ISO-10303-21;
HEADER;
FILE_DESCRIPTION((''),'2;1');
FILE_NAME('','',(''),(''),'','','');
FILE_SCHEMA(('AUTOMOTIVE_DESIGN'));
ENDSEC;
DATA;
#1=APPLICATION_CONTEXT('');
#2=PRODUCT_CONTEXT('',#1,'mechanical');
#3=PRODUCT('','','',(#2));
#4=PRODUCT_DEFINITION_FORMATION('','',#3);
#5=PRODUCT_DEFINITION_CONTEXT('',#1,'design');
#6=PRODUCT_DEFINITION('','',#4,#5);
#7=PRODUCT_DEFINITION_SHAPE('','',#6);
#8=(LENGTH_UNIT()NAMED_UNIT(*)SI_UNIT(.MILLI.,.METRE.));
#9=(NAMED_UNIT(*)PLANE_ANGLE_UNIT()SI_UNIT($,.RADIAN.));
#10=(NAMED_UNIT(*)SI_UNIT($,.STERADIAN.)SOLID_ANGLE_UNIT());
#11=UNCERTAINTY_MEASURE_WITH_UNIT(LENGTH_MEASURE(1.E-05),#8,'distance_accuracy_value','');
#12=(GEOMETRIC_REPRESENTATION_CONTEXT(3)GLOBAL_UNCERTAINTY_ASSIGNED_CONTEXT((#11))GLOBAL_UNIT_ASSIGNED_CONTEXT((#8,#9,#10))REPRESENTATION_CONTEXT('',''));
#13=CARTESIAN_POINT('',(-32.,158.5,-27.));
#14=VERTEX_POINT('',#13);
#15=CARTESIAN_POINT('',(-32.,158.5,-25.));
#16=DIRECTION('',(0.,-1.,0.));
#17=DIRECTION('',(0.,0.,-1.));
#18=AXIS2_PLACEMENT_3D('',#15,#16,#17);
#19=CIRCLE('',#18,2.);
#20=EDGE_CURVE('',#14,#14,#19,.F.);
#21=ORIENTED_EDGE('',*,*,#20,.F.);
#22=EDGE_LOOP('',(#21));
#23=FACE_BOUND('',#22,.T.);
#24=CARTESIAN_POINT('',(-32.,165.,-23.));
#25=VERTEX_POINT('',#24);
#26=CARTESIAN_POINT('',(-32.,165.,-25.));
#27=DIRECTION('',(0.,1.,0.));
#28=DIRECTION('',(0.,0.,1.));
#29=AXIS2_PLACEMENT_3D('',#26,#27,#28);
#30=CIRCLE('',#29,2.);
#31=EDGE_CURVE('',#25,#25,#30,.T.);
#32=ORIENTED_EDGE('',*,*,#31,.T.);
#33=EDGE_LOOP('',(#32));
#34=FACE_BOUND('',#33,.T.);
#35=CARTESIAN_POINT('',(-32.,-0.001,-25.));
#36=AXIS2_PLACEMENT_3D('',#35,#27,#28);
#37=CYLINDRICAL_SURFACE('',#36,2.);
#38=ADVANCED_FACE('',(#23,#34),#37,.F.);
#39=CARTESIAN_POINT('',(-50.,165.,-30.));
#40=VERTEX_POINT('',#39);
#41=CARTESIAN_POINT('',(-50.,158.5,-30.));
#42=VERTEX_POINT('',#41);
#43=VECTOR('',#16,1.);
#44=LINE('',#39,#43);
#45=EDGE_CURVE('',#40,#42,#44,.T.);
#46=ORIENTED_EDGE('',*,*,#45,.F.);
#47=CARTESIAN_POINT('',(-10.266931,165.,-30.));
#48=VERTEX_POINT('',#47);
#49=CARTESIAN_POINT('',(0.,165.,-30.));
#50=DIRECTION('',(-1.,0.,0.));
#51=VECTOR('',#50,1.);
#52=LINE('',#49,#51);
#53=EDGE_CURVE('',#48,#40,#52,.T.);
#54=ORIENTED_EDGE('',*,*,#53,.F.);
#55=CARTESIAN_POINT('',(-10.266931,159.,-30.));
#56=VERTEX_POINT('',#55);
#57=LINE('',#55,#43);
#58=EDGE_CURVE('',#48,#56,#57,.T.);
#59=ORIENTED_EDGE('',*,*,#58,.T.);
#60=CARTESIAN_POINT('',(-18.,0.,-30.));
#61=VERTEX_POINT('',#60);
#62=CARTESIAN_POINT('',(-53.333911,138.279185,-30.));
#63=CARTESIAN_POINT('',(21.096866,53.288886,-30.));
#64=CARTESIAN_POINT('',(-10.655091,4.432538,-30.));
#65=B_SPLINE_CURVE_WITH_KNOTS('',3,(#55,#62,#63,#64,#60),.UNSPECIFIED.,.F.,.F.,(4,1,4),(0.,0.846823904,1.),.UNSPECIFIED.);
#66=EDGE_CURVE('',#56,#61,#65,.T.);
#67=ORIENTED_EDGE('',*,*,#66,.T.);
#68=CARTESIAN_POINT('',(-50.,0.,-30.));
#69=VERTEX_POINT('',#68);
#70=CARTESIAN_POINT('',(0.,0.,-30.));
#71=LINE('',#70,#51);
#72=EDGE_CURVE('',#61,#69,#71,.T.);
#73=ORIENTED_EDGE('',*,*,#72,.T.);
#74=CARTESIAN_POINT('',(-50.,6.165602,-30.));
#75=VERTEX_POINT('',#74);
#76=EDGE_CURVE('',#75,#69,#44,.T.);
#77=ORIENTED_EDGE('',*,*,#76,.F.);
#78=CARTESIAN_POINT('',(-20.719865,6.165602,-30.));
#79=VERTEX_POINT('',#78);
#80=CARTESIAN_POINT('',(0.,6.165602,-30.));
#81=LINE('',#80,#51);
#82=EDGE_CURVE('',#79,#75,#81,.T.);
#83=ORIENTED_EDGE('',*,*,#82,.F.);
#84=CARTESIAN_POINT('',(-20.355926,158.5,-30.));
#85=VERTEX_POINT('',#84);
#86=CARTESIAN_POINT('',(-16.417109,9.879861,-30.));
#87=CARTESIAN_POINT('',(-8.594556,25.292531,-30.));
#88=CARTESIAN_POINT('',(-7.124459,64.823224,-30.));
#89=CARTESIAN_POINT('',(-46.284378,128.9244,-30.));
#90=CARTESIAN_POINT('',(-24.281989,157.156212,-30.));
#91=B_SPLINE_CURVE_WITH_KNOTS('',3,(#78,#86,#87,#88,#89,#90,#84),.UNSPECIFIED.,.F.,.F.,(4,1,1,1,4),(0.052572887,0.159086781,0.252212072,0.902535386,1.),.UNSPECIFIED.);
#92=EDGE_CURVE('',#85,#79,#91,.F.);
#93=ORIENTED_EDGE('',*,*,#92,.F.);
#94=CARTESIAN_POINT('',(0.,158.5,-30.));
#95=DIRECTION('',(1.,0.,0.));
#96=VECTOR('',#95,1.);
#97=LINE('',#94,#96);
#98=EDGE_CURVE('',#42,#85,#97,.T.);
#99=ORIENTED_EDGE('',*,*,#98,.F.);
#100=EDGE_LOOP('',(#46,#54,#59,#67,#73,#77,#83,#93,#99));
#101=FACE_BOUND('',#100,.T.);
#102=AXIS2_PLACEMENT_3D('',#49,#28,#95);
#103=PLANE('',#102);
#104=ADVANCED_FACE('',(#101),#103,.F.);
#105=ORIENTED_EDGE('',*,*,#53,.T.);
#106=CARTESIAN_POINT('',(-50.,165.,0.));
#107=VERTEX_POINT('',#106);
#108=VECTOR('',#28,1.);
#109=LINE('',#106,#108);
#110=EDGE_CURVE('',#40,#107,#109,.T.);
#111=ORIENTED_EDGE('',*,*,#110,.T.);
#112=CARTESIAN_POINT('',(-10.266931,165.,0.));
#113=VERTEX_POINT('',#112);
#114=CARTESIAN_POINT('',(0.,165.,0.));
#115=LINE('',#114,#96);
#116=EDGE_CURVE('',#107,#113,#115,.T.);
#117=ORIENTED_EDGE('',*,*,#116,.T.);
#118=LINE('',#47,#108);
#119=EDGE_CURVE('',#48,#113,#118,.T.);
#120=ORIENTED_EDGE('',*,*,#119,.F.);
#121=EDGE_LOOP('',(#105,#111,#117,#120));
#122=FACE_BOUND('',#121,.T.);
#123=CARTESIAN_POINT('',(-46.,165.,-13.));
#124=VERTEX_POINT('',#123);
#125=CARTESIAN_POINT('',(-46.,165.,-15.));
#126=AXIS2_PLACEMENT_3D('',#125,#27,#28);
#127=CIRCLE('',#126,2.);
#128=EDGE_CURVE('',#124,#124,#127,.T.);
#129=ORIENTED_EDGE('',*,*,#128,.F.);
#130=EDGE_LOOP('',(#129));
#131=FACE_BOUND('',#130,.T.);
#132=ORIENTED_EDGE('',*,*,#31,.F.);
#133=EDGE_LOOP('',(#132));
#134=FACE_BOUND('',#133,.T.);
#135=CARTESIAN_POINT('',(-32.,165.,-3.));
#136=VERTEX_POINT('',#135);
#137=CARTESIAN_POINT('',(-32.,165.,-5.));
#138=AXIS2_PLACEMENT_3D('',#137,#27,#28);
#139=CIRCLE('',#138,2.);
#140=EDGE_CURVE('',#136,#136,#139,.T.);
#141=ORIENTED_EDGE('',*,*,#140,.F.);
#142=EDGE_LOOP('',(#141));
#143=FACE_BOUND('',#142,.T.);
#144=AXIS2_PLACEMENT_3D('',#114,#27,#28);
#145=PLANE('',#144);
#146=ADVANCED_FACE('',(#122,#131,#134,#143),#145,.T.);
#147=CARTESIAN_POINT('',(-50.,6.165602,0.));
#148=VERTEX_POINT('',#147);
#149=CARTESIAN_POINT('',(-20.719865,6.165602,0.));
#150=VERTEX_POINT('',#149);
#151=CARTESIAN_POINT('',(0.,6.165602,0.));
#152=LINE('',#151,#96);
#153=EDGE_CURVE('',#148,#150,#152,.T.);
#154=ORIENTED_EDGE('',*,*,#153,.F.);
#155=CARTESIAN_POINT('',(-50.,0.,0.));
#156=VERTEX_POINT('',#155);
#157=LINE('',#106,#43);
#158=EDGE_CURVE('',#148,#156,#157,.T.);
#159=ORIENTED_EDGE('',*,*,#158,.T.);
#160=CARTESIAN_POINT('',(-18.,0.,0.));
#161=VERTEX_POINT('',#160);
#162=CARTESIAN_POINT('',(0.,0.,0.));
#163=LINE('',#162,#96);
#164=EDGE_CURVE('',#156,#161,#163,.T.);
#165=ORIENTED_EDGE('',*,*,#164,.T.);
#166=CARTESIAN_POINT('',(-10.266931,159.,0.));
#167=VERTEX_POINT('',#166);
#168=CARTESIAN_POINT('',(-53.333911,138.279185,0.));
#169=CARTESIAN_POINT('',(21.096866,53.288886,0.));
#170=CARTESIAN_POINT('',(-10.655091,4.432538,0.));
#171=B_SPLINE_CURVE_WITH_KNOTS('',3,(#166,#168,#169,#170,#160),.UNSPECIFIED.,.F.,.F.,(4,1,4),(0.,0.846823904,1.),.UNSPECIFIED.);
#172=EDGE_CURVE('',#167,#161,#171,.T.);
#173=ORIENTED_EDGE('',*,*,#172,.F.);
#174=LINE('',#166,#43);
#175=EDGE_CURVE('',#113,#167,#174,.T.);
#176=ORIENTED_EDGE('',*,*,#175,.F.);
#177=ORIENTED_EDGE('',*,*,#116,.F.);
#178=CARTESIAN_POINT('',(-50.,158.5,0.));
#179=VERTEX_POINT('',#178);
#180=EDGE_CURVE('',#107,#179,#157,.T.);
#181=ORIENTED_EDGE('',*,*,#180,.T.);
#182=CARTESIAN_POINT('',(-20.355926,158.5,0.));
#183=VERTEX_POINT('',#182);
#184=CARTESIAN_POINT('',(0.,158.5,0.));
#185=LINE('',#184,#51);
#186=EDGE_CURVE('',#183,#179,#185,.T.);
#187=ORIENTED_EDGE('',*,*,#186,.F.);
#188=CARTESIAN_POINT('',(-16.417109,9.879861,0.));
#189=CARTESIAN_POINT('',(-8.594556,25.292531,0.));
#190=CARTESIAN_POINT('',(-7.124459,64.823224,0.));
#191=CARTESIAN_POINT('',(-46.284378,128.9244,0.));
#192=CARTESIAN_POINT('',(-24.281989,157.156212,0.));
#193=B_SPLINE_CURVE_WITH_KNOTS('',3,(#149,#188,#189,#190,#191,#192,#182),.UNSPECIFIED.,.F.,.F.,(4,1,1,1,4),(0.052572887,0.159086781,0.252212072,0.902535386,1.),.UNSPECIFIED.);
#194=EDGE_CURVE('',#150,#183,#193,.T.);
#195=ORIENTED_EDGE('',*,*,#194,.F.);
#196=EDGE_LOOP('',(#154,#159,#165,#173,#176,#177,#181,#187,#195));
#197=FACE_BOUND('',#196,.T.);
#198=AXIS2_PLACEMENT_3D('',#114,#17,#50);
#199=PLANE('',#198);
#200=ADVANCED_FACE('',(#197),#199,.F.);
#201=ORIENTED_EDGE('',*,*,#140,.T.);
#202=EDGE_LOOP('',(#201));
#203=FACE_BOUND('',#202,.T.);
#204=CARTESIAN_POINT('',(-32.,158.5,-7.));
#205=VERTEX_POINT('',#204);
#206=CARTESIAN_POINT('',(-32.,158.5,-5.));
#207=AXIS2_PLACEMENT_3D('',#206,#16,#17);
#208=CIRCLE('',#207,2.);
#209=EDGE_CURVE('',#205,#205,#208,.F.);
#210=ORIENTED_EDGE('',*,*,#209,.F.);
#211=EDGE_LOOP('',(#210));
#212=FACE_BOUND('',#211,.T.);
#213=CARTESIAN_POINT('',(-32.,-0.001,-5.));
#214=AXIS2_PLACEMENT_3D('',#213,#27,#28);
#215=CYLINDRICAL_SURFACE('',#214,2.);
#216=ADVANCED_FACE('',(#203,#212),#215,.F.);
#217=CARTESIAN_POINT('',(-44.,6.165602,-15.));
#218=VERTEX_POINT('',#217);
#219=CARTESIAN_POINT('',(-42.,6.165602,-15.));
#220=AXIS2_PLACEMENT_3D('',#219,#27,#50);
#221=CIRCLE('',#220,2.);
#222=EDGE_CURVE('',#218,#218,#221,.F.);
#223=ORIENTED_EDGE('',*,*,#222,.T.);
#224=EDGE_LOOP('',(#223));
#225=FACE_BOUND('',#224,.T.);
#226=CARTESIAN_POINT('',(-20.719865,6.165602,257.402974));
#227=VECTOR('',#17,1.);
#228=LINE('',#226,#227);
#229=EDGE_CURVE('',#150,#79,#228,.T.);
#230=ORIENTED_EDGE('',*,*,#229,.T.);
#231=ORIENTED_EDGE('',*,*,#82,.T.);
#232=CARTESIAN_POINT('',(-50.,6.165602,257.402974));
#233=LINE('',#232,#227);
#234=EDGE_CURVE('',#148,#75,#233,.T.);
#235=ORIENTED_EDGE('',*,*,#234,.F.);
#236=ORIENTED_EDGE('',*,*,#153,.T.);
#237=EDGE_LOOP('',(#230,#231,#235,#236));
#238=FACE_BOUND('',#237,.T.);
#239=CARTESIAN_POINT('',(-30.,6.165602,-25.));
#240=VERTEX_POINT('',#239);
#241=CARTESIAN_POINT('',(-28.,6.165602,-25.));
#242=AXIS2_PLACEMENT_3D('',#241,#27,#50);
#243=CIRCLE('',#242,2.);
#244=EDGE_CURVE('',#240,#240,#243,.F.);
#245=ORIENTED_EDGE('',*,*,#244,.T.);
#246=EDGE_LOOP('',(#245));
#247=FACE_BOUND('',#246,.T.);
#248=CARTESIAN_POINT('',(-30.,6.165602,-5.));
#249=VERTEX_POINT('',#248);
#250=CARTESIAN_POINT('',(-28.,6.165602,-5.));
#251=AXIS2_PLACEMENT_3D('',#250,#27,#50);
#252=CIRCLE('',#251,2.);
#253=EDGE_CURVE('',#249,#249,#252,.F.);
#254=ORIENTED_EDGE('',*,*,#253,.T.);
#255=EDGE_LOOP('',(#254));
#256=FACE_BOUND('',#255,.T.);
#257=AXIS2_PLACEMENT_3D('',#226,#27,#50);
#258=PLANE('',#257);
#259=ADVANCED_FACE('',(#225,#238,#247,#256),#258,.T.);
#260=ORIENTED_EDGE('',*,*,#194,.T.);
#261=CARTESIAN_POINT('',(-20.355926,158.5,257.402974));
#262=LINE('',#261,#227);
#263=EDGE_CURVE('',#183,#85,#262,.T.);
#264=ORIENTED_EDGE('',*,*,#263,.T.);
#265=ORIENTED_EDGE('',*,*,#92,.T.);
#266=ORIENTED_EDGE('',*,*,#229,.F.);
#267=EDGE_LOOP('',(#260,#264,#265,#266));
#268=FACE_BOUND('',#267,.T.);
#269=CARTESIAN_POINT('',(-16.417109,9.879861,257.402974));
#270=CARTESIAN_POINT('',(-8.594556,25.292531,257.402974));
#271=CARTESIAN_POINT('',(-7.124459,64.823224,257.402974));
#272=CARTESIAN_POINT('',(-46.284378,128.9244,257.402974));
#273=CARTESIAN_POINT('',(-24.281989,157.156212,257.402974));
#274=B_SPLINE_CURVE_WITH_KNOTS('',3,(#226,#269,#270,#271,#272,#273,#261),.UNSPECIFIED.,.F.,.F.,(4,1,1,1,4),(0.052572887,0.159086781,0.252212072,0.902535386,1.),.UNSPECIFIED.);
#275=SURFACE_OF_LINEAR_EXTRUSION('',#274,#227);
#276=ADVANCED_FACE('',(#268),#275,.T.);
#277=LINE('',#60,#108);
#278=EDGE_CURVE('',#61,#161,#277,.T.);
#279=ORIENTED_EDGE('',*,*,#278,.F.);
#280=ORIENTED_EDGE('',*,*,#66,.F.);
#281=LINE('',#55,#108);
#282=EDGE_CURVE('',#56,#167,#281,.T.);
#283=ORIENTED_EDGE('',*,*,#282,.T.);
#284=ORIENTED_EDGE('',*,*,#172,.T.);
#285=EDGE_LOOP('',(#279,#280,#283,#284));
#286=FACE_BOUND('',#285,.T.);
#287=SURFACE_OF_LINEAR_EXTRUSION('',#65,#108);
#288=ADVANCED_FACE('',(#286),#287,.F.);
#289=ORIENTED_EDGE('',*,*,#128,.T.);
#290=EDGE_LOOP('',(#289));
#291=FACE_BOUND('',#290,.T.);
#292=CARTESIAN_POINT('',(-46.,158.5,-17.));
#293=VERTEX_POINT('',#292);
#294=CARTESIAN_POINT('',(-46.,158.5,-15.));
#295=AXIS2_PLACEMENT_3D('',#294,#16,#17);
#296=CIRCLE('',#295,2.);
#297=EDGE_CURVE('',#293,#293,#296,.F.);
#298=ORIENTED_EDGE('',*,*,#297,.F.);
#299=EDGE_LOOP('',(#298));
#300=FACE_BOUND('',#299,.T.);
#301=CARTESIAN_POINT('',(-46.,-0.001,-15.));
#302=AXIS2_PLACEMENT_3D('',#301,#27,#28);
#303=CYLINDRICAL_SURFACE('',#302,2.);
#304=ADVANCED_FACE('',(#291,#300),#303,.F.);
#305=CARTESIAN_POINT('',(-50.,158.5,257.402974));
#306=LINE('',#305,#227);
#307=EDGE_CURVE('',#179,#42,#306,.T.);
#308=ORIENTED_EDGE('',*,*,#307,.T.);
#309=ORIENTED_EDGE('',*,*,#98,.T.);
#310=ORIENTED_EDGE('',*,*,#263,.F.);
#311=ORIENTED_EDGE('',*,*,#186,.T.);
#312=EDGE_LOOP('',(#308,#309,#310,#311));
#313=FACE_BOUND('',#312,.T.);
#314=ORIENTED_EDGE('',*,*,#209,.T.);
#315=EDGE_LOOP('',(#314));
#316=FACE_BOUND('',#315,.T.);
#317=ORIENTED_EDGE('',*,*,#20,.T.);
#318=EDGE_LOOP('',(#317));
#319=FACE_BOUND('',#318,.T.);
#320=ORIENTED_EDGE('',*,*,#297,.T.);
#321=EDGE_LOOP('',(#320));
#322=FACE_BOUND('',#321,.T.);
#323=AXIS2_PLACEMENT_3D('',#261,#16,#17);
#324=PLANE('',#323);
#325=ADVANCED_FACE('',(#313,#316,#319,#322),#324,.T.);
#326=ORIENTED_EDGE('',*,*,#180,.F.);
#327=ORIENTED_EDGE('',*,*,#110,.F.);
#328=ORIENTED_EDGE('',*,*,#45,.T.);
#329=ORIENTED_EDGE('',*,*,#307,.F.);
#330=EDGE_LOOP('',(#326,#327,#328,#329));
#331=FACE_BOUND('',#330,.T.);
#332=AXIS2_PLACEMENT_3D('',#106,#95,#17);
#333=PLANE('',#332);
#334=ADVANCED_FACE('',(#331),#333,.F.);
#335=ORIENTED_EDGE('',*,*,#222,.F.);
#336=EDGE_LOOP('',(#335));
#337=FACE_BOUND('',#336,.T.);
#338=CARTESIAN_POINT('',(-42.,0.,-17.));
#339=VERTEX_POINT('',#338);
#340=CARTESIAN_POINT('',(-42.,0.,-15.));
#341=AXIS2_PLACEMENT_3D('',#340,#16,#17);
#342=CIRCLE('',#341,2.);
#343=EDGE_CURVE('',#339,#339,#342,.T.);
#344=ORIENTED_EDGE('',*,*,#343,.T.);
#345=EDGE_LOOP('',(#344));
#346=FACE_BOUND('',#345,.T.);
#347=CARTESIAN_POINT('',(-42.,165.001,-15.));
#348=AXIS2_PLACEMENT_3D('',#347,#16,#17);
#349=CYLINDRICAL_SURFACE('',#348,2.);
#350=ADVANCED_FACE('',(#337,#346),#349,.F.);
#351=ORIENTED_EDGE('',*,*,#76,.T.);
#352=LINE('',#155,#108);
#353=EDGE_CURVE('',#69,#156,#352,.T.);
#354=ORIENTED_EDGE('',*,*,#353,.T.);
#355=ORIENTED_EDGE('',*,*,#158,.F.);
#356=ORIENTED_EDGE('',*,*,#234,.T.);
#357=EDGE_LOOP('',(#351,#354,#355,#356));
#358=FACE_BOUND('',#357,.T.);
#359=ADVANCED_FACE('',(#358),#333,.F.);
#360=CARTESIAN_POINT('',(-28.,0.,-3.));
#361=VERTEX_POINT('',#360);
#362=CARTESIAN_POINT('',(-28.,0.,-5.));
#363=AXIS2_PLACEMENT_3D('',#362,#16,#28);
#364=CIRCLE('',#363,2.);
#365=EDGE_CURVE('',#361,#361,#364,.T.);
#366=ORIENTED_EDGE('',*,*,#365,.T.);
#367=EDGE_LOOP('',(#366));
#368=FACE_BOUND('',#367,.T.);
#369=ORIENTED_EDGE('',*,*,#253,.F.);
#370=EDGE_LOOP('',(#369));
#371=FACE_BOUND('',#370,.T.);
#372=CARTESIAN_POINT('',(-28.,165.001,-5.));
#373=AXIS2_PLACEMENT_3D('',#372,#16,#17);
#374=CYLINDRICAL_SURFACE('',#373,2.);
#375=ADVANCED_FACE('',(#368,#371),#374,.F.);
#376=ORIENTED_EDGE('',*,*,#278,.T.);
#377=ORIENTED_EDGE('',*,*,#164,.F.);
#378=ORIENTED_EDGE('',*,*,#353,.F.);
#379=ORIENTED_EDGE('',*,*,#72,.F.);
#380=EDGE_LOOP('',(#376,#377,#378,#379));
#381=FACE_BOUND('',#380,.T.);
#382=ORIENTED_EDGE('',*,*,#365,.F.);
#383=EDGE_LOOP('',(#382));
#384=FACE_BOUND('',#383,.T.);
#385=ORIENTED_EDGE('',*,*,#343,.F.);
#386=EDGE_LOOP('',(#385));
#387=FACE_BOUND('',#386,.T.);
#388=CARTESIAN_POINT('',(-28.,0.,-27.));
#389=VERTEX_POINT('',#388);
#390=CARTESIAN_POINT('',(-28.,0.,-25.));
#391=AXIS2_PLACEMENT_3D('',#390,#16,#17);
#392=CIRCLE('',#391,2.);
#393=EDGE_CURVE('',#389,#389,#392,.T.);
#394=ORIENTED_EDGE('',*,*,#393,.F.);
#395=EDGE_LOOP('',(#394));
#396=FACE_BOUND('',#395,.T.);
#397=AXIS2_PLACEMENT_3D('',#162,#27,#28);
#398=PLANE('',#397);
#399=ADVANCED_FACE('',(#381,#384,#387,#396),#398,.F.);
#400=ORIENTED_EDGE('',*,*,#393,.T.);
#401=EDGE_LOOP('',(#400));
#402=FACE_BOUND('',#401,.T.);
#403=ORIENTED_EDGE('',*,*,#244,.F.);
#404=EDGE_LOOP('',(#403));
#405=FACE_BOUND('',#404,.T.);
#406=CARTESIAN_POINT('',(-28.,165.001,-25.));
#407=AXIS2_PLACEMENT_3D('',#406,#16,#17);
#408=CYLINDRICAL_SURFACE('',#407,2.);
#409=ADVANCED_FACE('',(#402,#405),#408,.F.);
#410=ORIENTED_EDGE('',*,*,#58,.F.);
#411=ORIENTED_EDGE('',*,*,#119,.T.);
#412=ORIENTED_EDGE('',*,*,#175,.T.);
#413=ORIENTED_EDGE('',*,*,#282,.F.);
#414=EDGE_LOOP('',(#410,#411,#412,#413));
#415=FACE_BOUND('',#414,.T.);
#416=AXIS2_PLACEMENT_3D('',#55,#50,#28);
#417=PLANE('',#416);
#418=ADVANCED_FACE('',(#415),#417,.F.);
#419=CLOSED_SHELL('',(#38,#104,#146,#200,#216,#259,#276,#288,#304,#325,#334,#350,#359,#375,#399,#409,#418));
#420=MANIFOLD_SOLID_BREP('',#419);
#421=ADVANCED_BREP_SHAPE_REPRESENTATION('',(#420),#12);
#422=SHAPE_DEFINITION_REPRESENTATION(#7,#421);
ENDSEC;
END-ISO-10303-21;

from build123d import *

# Parameters (mm, degrees)
SKETCH1_W               = 50
SKETCH1_H               = 30
BLOCK_DEPTH             = 165
CUT_EXTRUDE1_DEPTH      = 176
CUT_EXTRUDE2_DEPTH      = 176.00000014
CUT_EXTRUDE2_DEPTH_BACK = 176.00000014
CUT_EXTRUDE3_REACH      = 177
SKETCH4_R               = 2
CUT_EXTRUDE10_REACH     = 177
SKETCH6_R               = 2


with BuildPart() as part:
    # Sketch1 → block (new body)
    with BuildSketch(Plane(origin=(0, 0, 0), x_dir=(1, 0, 0), z_dir=(0, 1, 0))):
        with Locations((-25, 15)):
            Rectangle(SKETCH1_W, SKETCH1_H)
    extrude(amount=BLOCK_DEPTH)

    # Sketch2 → Cut-Extrude1 (cut, through all)
    with BuildSketch(Plane.XY):
        with BuildLine():
            Line((-10.266930768, 159), (-10.266930768, 165))
            Line((-10.266930768, 165), (0, 165))
            Line((0, 165), (0, 0))
            Line((0, 0), (-18, 0))
            add(Edge.make_bspline(
                [(-18, 0), (-10.65509128, 4.432537506), (21.096865897, 53.288885799), (-53.333910643, 138.279185217), (-10.266930768, 159)],
                knots=[0, 0, 0, 0, 0.153176096, 1, 1, 1, 1], degree=3))
        make_face()
    extrude(amount=-CUT_EXTRUDE1_DEPTH, mode=Mode.SUBTRACT)

    # Sketch3 → Cut-Extrude2 (cut, two sides: drawn at the far end of the back side and taken through both)
    with BuildSketch(Plane.XY.offset(-CUT_EXTRUDE2_DEPTH_BACK)):
        with BuildLine():
            Line((-50, 6.165602131), (-20.719865449, 6.165602131))
            add(Edge.make_bspline(
                [(-20.719865449, 6.165602131), (-16.417108632, 9.879860863), (-8.594555841, 25.292531348), (-7.124459178, 64.823223932), (-46.284378253, 128.924399551), (-24.281989056, 157.156211749), (-20.35592584, 158.5)],
                knots=[0.052572887, 0.052572887, 0.052572887, 0.052572887, 0.159086781, 0.252212072, 0.902535386, 1, 1, 1, 1], degree=3))
            Line((-20.35592584, 158.5), (-50, 158.5))
            Line((-50, 158.5), (-50, 6.165602131))
        make_face()
    extrude(amount=CUT_EXTRUDE2_DEPTH + CUT_EXTRUDE2_DEPTH_BACK, mode=Mode.SUBTRACT)

    # Sketch4 → Cut-Extrude3 (cut, up to next)
    with BuildSketch(Plane.XZ, mode=Mode.PRIVATE) as cut_extrude3_sk1:
        with Locations(Location((-42, -15, 0), (0, 0, 270))):
            Circle(SKETCH4_R)
    cut_extrude3_tool1 = extrude(cut_extrude3_sk1.sketch, amount=-CUT_EXTRUDE3_REACH, mode=Mode.PRIVATE) & part.part
    # Sketch4 → Cut-Extrude3 (cut, up to next)
    with BuildSketch(Plane.XZ, mode=Mode.PRIVATE) as cut_extrude3_sk2:
        with Locations(Location((-28, -25, 0), (0, 0, 270))):
            Circle(SKETCH4_R)
    cut_extrude3_tool2 = extrude(cut_extrude3_sk2.sketch, amount=-CUT_EXTRUDE3_REACH, mode=Mode.PRIVATE) & part.part
    # Sketch4 → Cut-Extrude3 (cut, up to next)
    with BuildSketch(Plane.XZ, mode=Mode.PRIVATE) as cut_extrude3_sk3:
        with Locations(Location((-28, -5, 0), (0, 0, 180))):
            Circle(SKETCH4_R)
    cut_extrude3_tool3 = extrude(cut_extrude3_sk3.sketch, amount=-CUT_EXTRUDE3_REACH, mode=Mode.PRIVATE) & part.part
    add(cut_extrude3_tool1.solids().sort_by_distance((-42, 0, -15))[0], mode=Mode.SUBTRACT)
    add(cut_extrude3_tool2.solids().sort_by_distance((-28, 0, -25))[0], mode=Mode.SUBTRACT)
    add(cut_extrude3_tool3.solids().sort_by_distance((-28, 0, -5))[0], mode=Mode.SUBTRACT)

    # Sketch6 → Cut-Extrude10 (cut, up to next)
    with BuildSketch(Plane(origin=(0, 165, 0), x_dir=(1, 0, 0), z_dir=(0, 1, 0)), mode=Mode.PRIVATE) as cut_extrude10_sk1:
        with Locations(Location((-46, 15, 0), (0, 0, 270))):
            Circle(SKETCH6_R)
    cut_extrude10_tool1 = extrude(cut_extrude10_sk1.sketch, amount=-CUT_EXTRUDE10_REACH, mode=Mode.PRIVATE) & part.part
    # Sketch6 → Cut-Extrude10 (cut, up to next)
    with BuildSketch(Plane(origin=(0, 165, 0), x_dir=(1, 0, 0), z_dir=(0, 1, 0)), mode=Mode.PRIVATE) as cut_extrude10_sk2:
        with Locations(Location((-32, 25, 0), (0, 0, 270))):
            Circle(SKETCH6_R)
    cut_extrude10_tool2 = extrude(cut_extrude10_sk2.sketch, amount=-CUT_EXTRUDE10_REACH, mode=Mode.PRIVATE) & part.part
    # Sketch6 → Cut-Extrude10 (cut, up to next)
    with BuildSketch(Plane(origin=(0, 165, 0), x_dir=(1, 0, 0), z_dir=(0, 1, 0)), mode=Mode.PRIVATE) as cut_extrude10_sk3:
        with Locations(Location((-32, 5, 0), (0, 0, 270))):
            Circle(SKETCH6_R)
    cut_extrude10_tool3 = extrude(cut_extrude10_sk3.sketch, amount=-CUT_EXTRUDE10_REACH, mode=Mode.PRIVATE) & part.part
    add(cut_extrude10_tool1.solids().sort_by_distance((-46, 165, -15))[0], mode=Mode.SUBTRACT)
    add(cut_extrude10_tool2.solids().sort_by_distance((-32, 165, -25))[0], mode=Mode.SUBTRACT)
    add(cut_extrude10_tool3.solids().sort_by_distance((-32, 165, -5))[0], mode=Mode.SUBTRACT)


solid = part.part
